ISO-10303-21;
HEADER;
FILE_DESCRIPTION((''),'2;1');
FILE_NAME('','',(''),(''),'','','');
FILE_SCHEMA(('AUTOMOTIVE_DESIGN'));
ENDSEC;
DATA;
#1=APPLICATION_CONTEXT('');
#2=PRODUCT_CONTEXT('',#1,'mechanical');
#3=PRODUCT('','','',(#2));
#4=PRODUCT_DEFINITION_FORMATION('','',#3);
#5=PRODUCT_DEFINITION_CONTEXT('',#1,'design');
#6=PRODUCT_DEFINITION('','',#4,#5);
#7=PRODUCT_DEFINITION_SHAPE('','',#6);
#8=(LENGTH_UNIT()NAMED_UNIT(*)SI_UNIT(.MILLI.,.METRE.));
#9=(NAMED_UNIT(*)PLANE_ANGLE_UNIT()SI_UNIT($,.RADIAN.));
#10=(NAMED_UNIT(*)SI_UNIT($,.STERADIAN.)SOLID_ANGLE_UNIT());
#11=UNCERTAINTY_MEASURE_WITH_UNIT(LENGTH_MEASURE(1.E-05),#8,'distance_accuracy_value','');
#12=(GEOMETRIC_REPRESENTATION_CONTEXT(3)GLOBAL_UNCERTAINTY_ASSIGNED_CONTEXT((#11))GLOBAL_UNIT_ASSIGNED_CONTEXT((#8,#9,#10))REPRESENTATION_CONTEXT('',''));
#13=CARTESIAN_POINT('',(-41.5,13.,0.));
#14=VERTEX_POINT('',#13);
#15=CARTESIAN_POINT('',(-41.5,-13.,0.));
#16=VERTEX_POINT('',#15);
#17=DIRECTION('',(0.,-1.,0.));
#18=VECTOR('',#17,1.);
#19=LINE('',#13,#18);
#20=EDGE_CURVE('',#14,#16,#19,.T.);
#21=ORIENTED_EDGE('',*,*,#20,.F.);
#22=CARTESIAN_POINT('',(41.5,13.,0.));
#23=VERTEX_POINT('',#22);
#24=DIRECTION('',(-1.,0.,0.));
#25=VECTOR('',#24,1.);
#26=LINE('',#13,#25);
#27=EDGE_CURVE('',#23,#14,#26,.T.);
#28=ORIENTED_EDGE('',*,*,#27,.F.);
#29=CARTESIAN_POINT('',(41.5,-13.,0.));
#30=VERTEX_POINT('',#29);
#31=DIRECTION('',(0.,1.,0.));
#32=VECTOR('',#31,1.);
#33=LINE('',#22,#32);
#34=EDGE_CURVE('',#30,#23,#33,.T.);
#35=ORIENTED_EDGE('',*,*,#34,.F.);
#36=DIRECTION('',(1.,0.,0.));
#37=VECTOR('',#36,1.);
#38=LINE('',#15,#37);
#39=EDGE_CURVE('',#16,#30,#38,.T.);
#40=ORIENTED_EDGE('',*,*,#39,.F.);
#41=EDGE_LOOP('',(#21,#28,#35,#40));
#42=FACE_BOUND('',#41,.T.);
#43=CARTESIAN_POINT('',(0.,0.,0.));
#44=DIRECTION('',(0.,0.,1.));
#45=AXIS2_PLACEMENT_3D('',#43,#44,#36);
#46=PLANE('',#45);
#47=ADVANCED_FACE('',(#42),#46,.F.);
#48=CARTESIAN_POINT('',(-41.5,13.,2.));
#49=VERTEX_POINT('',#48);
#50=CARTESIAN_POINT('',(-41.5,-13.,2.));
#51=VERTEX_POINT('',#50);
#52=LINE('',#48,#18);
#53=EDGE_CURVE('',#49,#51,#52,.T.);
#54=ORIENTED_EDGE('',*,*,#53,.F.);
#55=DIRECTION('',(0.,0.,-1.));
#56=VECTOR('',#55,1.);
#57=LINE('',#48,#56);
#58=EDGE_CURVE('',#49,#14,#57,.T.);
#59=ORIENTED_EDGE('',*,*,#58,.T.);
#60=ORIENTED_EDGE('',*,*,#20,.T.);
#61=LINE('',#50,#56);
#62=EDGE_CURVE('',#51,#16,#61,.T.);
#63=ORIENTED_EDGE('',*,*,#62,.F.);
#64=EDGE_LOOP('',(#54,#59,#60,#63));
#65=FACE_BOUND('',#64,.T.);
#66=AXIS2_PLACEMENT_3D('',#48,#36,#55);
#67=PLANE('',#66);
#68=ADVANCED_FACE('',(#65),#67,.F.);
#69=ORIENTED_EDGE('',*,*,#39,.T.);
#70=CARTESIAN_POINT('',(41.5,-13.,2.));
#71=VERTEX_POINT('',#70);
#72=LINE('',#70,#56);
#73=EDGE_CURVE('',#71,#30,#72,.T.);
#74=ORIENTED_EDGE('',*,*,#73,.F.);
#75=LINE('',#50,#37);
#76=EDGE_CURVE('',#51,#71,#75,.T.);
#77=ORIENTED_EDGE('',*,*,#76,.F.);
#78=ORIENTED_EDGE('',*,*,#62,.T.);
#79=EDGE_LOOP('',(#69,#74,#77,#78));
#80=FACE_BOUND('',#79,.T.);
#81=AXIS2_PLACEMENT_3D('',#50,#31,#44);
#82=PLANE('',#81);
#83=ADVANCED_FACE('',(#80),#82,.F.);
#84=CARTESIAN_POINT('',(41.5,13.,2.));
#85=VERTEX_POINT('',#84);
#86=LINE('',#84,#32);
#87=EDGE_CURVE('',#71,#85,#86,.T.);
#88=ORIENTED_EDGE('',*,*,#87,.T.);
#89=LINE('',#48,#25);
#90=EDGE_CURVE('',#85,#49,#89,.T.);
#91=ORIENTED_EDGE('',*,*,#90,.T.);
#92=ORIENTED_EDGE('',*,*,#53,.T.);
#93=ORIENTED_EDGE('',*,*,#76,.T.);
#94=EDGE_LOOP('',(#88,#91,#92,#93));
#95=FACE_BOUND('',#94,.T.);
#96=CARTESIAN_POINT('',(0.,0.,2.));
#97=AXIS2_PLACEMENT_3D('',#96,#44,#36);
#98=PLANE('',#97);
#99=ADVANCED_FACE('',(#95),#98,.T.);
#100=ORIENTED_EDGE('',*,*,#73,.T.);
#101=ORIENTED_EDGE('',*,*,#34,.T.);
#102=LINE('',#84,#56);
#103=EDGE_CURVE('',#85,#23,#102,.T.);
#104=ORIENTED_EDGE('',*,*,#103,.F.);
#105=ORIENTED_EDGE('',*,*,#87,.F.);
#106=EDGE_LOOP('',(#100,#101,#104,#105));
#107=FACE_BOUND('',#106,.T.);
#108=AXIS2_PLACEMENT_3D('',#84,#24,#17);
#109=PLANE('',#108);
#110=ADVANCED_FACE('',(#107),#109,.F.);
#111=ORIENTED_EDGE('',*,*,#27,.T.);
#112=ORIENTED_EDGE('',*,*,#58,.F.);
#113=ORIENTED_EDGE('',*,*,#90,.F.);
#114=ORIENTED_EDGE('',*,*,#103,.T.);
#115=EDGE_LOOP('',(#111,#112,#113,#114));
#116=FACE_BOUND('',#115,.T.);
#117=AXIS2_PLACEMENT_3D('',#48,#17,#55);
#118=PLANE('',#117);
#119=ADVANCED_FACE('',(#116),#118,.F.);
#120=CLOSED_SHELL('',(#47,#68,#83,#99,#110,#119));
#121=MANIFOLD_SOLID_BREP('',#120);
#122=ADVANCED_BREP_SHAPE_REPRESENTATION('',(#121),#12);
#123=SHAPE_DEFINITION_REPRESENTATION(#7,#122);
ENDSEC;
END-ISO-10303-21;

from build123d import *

# Parameters (mm, degrees)
SKETCH_1_W      = 83
SKETCH_1_H      = 26
EXTRUDE_1_DEPTH = 2


with BuildPart() as part:
    # 草图1 → 凸台-拉伸1 (new body)
    with BuildSketch(Plane.XY):
        Rectangle(SKETCH_1_W, SKETCH_1_H)
    extrude(amount=EXTRUDE_1_DEPTH)


solid = part.part
